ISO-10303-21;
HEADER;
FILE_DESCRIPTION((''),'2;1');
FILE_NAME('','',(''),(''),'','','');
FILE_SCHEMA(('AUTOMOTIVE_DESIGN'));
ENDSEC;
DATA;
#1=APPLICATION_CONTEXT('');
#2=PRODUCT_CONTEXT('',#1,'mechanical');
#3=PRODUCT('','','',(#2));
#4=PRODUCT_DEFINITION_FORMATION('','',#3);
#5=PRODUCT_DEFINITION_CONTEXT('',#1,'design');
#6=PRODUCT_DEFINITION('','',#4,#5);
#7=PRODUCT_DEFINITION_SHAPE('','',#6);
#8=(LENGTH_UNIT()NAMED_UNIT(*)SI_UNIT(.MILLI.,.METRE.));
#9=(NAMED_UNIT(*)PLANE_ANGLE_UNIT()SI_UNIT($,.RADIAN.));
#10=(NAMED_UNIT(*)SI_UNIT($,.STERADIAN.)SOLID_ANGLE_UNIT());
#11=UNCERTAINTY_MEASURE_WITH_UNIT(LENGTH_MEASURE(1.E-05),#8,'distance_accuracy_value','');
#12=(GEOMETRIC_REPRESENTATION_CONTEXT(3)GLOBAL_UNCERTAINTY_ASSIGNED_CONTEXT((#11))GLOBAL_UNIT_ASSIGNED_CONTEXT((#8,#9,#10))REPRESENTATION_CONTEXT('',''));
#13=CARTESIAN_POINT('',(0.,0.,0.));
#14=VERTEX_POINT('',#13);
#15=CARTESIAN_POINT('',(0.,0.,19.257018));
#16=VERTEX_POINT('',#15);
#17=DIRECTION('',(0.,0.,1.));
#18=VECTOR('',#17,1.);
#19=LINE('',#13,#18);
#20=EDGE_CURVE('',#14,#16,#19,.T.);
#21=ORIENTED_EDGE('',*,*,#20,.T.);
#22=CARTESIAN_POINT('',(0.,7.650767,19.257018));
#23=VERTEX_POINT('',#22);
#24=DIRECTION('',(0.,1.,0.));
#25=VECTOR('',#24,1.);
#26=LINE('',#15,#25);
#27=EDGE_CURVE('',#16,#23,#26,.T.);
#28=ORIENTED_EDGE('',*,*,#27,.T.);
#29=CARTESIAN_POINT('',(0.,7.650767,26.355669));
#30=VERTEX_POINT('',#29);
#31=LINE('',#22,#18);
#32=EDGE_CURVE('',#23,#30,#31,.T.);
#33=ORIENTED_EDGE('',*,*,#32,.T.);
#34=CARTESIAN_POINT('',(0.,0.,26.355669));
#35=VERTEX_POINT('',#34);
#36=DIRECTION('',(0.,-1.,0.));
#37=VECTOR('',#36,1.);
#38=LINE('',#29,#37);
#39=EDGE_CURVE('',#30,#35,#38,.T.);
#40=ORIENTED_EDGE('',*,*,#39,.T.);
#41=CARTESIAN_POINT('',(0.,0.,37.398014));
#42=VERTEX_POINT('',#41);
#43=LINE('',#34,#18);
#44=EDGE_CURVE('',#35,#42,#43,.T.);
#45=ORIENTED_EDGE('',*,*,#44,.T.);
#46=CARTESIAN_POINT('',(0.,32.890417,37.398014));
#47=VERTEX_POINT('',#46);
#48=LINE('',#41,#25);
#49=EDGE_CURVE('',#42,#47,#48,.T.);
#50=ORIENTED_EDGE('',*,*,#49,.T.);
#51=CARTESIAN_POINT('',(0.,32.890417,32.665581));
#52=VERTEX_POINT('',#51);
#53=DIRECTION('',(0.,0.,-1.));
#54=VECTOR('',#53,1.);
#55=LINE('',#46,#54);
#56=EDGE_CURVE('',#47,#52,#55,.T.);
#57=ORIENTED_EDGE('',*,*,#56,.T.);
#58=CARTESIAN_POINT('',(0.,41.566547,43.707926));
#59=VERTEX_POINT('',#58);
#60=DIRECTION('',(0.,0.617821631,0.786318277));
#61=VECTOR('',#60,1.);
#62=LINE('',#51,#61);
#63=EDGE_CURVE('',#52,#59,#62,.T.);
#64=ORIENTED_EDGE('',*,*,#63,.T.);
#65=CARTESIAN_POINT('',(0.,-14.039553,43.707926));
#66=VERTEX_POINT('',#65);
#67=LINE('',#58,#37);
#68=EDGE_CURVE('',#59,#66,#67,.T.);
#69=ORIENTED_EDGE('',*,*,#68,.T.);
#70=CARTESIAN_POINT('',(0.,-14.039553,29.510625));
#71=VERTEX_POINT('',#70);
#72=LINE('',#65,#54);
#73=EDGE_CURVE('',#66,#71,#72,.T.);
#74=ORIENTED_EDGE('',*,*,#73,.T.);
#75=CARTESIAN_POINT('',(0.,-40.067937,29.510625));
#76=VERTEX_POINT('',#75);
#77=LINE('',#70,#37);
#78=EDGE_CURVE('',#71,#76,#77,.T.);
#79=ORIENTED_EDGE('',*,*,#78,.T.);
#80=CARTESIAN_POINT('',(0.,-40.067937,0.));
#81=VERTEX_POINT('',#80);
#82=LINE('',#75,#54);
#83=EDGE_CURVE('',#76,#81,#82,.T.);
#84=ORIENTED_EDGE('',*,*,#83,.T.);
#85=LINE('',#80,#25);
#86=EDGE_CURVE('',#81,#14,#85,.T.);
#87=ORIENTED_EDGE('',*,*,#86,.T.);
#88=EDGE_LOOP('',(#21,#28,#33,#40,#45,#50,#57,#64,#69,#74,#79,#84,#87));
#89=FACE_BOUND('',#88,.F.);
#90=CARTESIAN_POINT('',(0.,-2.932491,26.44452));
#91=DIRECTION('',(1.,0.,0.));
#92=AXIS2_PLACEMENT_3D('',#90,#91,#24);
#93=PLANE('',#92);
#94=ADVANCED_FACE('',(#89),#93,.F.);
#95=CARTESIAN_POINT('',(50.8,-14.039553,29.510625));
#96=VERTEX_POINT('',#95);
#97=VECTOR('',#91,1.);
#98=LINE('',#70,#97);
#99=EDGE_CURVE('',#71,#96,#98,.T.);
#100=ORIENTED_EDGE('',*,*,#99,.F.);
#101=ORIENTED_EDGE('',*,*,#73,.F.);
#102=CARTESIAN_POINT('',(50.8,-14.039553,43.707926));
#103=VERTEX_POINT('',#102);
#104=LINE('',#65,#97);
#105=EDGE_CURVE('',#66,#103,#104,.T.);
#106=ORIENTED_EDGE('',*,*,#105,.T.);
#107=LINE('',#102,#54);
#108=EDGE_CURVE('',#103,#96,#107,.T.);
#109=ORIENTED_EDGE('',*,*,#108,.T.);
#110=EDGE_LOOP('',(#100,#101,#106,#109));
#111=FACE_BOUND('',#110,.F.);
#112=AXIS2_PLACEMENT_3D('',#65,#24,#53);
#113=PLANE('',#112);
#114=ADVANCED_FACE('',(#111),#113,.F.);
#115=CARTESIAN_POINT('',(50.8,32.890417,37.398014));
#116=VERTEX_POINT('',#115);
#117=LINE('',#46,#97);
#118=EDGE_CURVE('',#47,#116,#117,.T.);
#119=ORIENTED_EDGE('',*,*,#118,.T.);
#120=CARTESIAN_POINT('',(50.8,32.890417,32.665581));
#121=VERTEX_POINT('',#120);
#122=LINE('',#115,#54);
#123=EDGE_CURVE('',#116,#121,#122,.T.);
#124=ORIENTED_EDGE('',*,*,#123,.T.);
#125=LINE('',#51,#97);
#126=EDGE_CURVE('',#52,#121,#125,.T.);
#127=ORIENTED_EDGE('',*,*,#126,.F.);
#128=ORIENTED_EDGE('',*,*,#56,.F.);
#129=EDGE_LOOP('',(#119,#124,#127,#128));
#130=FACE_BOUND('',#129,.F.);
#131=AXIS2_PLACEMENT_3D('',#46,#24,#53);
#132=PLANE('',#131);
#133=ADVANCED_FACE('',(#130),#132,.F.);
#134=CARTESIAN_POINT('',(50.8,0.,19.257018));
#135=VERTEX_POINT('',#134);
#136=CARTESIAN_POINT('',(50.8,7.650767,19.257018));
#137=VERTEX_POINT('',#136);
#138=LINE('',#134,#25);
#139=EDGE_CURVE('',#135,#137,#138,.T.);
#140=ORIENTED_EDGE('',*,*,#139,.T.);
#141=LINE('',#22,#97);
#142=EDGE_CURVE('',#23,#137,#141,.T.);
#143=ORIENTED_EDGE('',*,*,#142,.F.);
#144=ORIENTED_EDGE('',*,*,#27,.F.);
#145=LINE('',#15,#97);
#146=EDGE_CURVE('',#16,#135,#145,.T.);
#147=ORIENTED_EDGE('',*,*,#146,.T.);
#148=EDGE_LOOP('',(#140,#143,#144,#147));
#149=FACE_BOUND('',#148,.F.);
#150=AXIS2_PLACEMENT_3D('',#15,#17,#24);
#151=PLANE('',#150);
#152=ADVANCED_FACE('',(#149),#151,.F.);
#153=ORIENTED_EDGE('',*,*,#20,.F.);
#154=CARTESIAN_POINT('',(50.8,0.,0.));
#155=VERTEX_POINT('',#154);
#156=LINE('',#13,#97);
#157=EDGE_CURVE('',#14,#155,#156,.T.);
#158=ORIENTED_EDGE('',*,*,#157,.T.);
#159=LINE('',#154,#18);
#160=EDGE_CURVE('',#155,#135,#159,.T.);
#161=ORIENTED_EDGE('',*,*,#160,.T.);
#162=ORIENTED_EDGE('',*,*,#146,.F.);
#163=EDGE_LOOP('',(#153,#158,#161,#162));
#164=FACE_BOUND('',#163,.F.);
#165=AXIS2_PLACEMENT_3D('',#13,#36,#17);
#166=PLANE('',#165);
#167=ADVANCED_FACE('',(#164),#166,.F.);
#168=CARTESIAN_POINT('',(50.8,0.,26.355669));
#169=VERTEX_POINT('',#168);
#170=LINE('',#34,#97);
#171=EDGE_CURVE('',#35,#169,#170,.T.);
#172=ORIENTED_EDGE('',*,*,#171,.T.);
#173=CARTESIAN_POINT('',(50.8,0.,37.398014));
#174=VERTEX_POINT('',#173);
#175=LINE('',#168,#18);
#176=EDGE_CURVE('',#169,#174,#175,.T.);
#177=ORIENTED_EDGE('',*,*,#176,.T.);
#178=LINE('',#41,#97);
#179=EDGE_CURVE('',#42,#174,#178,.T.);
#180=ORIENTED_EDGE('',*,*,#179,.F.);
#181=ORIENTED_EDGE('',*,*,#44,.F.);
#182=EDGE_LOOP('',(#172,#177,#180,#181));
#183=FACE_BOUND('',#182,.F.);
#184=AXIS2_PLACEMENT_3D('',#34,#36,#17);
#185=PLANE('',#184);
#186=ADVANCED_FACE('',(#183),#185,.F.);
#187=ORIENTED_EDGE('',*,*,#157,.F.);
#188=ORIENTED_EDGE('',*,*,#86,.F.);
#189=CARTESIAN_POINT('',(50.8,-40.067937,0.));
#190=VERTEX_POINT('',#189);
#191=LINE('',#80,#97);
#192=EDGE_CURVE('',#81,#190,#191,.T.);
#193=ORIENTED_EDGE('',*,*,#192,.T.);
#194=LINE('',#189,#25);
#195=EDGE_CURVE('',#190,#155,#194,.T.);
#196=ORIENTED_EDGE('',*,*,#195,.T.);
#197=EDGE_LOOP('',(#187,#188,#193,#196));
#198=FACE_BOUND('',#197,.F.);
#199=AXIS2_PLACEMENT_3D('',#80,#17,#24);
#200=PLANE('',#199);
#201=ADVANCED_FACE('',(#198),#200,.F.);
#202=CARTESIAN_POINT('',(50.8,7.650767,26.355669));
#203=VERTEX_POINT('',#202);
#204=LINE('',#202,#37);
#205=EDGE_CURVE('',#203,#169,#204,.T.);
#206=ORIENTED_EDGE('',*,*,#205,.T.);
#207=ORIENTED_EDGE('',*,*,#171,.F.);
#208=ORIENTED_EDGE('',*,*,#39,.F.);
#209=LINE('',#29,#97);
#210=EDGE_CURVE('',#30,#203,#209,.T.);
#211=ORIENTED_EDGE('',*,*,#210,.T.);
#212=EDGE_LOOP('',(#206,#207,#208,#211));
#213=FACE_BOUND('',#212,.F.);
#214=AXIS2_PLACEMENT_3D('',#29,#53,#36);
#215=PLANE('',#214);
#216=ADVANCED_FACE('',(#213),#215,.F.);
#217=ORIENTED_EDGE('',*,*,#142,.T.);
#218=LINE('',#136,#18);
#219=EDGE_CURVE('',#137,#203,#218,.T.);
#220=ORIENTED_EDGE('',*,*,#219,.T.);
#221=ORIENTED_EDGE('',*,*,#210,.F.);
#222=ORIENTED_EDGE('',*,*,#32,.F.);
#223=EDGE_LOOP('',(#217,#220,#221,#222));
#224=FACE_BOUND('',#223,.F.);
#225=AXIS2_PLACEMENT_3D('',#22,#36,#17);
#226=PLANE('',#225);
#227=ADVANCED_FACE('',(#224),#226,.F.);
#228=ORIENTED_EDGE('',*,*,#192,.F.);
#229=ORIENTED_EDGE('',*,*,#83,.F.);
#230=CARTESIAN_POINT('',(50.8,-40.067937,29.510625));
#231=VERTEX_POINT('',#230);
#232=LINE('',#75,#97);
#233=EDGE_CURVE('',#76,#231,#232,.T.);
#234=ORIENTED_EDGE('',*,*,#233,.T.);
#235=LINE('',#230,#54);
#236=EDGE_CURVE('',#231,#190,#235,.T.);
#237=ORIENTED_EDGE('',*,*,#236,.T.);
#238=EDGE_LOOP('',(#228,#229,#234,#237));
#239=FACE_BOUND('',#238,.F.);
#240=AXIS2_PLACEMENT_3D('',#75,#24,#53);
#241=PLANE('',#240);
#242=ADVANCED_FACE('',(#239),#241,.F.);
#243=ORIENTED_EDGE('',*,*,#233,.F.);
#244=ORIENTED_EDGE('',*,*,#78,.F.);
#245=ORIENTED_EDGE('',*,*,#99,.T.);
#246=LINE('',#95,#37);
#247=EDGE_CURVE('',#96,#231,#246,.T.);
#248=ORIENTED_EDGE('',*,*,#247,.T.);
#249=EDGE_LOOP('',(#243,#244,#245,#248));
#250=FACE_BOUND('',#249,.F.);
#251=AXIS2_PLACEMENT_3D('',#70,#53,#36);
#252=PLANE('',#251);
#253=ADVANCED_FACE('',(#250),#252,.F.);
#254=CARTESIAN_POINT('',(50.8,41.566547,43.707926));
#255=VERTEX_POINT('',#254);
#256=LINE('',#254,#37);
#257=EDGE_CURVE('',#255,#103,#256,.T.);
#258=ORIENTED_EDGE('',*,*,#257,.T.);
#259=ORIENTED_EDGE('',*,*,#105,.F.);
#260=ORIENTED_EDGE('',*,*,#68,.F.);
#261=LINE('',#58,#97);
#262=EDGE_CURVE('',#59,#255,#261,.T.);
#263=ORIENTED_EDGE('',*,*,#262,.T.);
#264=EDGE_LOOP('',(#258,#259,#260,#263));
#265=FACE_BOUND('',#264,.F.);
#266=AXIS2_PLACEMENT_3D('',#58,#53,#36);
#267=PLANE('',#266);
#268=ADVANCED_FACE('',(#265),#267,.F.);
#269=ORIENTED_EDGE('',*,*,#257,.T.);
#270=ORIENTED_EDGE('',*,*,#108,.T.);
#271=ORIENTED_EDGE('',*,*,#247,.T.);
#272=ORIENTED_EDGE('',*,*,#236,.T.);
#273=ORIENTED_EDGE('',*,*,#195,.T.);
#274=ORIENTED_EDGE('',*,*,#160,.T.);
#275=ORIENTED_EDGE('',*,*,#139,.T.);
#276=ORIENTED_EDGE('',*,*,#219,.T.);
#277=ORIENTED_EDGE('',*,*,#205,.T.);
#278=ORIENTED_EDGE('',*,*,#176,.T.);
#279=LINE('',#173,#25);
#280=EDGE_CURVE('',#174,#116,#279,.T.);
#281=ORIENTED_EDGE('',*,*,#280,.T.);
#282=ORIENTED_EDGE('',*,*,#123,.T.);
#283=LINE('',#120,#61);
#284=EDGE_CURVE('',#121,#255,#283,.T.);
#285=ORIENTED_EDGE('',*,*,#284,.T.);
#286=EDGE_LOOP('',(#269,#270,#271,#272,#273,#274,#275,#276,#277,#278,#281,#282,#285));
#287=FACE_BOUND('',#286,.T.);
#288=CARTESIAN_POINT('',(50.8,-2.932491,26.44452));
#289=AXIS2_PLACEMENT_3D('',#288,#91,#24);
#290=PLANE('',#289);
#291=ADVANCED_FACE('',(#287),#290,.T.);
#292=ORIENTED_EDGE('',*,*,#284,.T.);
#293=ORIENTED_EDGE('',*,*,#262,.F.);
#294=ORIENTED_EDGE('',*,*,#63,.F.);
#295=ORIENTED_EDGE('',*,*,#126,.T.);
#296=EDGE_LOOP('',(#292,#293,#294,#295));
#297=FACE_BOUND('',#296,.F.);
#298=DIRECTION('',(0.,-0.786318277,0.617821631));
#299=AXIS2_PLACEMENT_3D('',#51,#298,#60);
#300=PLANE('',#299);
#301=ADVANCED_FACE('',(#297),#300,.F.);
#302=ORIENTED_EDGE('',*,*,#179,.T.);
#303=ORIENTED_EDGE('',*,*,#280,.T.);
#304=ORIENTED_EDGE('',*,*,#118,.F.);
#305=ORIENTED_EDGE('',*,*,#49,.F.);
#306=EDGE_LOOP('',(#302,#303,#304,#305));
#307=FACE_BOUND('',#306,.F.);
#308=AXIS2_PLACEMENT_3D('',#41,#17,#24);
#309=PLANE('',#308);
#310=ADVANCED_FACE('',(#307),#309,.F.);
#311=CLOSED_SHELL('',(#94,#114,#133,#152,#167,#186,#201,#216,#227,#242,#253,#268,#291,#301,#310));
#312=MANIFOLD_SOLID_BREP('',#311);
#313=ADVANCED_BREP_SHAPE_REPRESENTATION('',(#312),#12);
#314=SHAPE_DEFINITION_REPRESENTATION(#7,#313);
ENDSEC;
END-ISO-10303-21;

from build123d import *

# Parameters (mm, degrees)
F1_DEPTH = 50.8


with BuildPart() as f1:
    # F0 (on Right) → F1 (new body)
    with BuildSketch(Plane.YZ):
        Polygon((32.890417, 32.665581), (41.566547, 43.707926), (-14.039553, 43.707926), (-14.039553, 29.510625), (-40.067937, 29.510625), (-40.067937, 0), (0, 0), (0, 19.257018), (7.650767, 19.257018), (7.650767, 26.355669), (0, 26.355669), (0, 37.398014), (32.890417, 37.398014), align=None)
    extrude(amount=F1_DEPTH)


solid = f1.part
